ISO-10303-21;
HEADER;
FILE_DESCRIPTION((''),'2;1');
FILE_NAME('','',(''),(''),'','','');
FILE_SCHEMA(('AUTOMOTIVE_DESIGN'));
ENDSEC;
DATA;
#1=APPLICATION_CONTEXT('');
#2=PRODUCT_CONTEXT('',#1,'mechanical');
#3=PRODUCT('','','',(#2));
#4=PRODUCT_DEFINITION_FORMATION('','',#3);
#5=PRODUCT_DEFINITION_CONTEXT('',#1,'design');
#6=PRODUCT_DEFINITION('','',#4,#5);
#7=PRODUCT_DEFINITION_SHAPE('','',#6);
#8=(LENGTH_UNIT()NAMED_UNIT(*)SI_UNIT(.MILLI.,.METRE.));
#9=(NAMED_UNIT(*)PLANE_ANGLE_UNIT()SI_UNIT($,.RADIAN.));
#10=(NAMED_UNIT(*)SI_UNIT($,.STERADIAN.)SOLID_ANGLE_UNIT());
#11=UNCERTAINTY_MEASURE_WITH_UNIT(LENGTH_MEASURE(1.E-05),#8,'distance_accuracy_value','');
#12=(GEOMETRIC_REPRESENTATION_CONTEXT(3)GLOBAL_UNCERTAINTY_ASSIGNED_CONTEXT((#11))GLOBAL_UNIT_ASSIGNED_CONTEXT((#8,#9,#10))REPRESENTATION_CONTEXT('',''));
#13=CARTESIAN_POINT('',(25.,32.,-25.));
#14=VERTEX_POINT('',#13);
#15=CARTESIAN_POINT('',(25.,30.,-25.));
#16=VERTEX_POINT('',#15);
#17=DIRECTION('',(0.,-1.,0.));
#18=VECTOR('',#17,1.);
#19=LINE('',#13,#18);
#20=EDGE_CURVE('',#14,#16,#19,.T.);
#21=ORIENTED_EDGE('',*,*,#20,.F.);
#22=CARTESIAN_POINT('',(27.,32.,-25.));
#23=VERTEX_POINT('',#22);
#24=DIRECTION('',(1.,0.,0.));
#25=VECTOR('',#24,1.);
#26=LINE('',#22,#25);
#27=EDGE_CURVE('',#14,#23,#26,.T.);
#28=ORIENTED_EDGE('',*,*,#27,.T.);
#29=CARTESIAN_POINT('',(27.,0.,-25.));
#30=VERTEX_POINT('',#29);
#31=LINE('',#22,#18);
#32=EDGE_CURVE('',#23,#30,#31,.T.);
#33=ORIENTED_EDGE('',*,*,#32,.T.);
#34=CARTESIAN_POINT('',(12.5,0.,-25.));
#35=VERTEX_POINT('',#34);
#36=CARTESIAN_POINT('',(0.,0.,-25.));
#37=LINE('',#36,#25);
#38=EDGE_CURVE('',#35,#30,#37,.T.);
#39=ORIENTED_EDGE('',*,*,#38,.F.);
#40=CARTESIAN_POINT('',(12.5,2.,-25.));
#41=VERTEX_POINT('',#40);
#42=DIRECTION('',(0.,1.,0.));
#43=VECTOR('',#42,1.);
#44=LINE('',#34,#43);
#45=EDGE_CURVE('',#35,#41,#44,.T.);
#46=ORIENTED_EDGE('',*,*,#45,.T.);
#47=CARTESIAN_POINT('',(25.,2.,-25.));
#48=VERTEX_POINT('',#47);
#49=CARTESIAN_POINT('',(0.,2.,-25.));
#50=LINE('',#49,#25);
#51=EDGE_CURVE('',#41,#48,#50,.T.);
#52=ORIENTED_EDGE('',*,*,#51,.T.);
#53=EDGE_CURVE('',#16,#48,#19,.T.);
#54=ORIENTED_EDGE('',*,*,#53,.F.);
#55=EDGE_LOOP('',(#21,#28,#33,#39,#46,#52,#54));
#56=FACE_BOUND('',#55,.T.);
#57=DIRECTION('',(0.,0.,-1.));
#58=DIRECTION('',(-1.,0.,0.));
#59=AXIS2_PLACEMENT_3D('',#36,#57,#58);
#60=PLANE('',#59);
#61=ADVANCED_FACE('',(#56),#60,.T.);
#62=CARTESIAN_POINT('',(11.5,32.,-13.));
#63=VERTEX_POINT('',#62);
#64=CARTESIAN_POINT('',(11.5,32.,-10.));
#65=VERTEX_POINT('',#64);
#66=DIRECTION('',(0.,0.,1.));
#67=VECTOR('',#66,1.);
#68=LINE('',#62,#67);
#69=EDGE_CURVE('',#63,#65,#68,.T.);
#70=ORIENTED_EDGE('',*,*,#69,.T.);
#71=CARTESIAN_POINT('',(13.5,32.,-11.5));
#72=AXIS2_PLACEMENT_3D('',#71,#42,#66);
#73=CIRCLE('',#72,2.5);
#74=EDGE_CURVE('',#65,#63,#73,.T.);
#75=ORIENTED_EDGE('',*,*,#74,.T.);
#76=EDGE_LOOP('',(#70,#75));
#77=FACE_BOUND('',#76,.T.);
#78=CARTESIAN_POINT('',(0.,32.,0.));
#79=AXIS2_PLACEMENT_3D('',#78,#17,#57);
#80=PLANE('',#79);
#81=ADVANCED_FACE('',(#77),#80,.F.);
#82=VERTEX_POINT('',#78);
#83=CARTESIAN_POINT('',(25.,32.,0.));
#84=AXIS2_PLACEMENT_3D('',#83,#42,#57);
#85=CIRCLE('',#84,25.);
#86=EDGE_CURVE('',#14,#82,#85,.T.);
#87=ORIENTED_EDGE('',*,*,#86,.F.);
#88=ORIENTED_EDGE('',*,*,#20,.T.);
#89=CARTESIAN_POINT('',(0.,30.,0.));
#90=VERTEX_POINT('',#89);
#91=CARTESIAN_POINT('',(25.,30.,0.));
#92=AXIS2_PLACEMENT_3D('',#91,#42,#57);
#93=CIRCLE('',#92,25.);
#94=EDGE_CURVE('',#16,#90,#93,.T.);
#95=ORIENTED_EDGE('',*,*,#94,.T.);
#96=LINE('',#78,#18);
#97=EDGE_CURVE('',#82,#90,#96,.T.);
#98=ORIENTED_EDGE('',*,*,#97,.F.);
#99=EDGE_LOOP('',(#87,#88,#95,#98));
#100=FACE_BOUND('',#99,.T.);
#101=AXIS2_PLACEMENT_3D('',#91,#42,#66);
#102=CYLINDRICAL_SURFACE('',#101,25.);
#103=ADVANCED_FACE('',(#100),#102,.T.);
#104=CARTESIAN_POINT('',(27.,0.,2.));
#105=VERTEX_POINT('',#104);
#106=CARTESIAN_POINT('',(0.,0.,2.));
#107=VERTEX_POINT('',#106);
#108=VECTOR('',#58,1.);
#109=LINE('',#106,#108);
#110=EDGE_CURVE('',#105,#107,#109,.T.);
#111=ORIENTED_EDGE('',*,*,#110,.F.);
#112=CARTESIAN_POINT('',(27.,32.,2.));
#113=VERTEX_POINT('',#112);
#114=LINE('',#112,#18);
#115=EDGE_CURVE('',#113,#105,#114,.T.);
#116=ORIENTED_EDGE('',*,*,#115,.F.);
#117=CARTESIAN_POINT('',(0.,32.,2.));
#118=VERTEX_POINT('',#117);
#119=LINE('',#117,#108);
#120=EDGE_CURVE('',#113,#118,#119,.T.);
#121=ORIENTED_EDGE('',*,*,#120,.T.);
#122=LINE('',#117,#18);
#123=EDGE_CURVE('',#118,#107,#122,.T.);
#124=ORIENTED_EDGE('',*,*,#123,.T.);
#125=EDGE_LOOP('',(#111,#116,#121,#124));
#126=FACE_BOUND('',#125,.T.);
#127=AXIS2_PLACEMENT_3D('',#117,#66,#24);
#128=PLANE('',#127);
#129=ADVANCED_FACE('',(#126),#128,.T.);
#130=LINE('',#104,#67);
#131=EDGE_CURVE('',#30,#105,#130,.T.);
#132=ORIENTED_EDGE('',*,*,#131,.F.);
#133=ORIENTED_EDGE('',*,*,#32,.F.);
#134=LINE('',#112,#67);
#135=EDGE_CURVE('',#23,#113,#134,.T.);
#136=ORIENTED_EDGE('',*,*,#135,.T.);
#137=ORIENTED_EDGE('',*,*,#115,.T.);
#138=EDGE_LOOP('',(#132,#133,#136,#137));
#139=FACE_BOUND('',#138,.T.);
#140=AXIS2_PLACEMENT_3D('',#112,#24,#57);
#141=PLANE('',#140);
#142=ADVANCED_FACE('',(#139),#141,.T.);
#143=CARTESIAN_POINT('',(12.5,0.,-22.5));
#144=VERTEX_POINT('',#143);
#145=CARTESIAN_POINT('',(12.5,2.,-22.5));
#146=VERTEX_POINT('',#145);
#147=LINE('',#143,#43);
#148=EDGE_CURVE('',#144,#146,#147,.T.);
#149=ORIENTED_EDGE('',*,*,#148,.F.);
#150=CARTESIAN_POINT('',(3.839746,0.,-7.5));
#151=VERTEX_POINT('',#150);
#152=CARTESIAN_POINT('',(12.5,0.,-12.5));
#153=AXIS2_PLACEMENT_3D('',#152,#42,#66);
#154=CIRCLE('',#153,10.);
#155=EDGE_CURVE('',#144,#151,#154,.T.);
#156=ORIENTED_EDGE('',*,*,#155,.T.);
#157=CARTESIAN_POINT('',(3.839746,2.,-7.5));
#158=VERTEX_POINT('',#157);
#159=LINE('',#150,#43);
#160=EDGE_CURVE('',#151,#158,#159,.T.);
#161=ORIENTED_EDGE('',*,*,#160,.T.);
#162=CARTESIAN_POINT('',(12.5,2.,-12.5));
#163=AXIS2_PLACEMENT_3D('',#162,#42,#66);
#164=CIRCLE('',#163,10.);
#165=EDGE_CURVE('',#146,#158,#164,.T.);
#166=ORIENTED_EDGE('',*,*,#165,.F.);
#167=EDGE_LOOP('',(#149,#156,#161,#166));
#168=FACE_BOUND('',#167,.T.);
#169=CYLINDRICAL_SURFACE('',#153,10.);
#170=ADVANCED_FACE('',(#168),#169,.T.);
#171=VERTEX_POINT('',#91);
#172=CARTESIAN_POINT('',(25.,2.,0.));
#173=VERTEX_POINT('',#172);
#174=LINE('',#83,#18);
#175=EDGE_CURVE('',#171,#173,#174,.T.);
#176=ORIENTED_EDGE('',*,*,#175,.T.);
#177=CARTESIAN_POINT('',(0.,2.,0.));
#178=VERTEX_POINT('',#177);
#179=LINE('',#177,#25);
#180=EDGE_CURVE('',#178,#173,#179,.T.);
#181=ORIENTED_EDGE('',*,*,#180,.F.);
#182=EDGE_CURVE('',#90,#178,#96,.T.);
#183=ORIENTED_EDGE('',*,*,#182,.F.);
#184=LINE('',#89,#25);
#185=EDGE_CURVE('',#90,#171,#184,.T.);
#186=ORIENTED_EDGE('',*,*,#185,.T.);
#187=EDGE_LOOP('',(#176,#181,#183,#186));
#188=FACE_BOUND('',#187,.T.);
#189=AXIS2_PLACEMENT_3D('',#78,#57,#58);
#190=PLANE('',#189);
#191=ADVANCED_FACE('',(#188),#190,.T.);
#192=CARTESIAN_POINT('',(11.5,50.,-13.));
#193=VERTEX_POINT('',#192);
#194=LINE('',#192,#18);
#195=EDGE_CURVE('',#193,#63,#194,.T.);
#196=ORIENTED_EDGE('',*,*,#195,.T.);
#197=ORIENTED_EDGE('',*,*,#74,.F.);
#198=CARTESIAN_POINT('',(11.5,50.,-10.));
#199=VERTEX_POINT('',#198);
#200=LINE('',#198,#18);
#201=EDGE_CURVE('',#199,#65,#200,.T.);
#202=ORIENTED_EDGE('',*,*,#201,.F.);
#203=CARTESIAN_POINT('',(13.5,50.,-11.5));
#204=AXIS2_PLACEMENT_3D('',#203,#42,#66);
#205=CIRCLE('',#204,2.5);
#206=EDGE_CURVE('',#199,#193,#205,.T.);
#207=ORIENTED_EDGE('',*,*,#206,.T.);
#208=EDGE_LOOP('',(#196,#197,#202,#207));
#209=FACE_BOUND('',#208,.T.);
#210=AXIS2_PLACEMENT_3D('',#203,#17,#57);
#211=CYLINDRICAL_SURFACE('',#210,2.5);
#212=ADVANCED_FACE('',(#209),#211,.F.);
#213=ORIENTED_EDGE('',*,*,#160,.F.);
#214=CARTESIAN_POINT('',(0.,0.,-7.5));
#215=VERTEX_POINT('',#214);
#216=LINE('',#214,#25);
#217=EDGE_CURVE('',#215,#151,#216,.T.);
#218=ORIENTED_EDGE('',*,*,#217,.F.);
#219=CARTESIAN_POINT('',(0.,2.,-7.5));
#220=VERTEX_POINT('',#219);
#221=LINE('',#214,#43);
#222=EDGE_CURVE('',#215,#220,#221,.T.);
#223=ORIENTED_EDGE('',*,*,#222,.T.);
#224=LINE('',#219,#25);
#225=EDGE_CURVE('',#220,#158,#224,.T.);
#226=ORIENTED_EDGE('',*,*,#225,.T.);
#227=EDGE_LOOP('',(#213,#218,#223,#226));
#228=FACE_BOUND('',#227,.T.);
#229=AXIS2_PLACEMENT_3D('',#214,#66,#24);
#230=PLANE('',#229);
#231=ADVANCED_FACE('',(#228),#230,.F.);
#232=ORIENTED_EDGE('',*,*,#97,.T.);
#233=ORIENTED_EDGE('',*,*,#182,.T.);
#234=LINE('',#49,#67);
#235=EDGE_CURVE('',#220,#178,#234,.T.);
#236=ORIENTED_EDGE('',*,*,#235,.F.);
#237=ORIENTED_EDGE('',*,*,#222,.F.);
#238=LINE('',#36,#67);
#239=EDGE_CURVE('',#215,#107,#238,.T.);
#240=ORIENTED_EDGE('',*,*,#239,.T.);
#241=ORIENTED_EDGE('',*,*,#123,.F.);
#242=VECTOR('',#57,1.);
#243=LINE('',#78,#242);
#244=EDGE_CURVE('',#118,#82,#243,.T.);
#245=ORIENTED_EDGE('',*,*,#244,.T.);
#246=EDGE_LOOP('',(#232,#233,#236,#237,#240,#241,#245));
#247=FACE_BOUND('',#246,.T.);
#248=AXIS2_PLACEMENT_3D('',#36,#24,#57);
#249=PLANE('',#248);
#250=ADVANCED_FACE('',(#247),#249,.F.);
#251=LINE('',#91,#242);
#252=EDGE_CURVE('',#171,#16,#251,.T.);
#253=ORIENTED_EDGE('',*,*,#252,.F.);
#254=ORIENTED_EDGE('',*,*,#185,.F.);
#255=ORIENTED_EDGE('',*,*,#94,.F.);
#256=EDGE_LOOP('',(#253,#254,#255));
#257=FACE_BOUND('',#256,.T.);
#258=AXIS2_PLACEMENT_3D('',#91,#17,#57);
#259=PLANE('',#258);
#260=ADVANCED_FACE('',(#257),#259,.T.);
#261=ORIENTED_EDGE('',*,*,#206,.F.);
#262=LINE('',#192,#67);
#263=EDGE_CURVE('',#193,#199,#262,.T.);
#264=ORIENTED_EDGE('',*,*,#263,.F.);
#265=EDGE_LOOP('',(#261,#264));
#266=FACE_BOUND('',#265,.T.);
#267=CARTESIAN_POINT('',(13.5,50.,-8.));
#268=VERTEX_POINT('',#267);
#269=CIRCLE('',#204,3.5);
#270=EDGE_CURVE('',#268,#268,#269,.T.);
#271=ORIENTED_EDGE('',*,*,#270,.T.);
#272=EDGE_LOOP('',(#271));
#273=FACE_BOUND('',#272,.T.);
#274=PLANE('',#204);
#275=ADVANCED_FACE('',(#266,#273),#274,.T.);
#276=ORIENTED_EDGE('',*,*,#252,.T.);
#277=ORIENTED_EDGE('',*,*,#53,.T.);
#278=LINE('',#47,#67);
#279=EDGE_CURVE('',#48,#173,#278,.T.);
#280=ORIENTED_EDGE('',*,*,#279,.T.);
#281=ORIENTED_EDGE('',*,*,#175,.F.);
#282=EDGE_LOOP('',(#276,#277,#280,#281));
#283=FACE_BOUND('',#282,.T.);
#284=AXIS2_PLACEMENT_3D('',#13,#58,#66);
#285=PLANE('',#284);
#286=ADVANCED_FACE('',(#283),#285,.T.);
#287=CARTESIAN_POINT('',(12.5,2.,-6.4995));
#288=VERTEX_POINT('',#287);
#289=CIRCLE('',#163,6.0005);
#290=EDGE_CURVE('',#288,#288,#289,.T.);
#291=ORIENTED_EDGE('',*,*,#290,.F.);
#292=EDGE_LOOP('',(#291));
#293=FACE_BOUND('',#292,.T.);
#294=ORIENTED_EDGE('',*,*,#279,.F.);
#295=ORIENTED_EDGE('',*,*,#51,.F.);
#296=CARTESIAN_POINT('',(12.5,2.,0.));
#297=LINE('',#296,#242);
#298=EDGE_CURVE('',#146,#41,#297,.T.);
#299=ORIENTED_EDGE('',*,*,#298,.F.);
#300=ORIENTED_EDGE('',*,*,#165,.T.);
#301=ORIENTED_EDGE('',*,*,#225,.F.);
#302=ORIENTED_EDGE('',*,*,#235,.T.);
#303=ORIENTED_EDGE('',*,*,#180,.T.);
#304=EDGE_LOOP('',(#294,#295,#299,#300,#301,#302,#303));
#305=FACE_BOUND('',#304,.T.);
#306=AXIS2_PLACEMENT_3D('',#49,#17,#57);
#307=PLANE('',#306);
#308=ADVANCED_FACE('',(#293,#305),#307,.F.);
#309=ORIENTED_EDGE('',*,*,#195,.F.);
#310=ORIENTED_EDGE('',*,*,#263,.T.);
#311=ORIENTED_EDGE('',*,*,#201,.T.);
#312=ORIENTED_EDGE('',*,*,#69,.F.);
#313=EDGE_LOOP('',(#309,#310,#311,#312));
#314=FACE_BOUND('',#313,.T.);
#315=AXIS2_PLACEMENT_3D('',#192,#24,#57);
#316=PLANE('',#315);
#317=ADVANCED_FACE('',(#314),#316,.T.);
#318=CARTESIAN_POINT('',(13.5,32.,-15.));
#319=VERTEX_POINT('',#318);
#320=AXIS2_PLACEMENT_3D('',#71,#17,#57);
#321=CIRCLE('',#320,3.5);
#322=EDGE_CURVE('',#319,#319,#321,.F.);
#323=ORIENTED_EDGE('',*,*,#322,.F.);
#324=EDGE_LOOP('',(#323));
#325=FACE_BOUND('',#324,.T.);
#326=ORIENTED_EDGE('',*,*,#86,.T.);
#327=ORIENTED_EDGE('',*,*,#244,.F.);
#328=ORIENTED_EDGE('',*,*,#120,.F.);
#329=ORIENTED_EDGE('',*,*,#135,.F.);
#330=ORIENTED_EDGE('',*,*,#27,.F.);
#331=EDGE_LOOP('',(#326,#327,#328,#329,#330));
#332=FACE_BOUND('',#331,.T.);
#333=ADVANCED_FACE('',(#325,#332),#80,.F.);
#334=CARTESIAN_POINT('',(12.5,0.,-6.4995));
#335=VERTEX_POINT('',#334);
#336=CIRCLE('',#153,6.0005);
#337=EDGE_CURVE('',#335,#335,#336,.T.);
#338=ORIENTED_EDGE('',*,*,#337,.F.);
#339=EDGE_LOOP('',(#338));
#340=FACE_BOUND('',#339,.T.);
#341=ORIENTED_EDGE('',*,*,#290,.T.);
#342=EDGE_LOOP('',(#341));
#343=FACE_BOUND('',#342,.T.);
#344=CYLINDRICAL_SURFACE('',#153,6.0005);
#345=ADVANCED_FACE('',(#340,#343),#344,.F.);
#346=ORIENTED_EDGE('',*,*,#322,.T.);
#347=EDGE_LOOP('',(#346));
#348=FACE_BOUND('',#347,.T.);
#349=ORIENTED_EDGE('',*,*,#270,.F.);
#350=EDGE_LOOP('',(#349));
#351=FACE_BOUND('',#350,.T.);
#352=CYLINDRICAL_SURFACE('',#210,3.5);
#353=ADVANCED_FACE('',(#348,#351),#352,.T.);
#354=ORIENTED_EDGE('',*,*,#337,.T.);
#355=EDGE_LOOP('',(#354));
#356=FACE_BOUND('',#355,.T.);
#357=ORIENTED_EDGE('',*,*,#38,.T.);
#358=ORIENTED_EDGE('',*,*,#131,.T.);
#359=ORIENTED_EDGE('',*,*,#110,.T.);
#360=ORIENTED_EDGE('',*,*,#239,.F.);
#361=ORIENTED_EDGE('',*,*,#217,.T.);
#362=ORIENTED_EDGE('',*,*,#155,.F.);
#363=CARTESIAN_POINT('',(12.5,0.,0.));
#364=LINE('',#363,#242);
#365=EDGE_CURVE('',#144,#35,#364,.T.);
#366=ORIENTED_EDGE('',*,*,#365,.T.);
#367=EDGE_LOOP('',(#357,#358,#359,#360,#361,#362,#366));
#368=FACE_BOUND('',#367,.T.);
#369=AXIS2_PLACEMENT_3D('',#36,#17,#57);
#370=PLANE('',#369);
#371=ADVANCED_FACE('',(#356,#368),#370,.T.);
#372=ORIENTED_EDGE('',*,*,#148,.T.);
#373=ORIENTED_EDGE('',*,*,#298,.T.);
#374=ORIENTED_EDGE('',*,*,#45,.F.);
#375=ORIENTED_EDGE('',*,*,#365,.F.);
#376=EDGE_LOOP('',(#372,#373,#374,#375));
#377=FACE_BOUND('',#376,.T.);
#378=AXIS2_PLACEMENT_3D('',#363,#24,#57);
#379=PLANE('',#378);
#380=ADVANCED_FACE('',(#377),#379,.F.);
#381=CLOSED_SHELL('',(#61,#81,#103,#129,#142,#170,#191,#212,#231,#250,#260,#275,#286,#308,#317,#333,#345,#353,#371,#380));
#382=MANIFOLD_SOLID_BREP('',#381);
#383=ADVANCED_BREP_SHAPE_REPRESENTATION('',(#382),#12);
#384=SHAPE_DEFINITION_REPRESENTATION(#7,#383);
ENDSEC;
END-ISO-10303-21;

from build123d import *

# Parameters (mm, degrees)
SKETCH1_W           = 25
SKETCH1_H           = 2
EXTRUDE_THIN1_DEPTH = 25
SKETCH2_R           = 6.0005
CUT_EXTRUDE1_DEPTH  = 36.411862419
BOSS_EXTRUDE1_DEPTH = 32
BOSS_EXTRUDE2_DEPTH = 2
SKETCH7_R           = 3.5
BOSS_EXTRUDE3_DEPTH = 18


with BuildPart() as part:
    # Sketch1 → Extrude-Thin1 (new body)
    with BuildSketch(Plane.XY):
        with Locations((12.5, 1)):
            Rectangle(SKETCH1_W, SKETCH1_H)
    extrude(amount=-EXTRUDE_THIN1_DEPTH)

    # Sketch2 → Cut-Extrude1 (cut, through all)
    with BuildSketch(Plane(origin=(0, 2, 0), x_dir=(1, 0, 0), z_dir=(0, 1, 0))):
        with BuildLine():
            ThreePointArc((3.839745962, 7.5), (3.839745962, 17.5), (12.5, 22.5))
            Line((12.5, 22.5), (12.5, 25))
            Line((12.5, 25), (0, 25))
            Line((0, 25), (0, 7.5))
            Line((0, 7.5), (3.839745962, 7.5))
        make_face()
        with Locations(Location((12.5, 12.5, 0), (0, 0, 270))):
            Circle(SKETCH2_R)
    extrude(amount=-CUT_EXTRUDE1_DEPTH, mode=Mode.SUBTRACT)

    # Sketch4 → Boss-Extrude1 (add)
    with BuildSketch(Plane.XZ):
        Polygon((0, 0), (0, 2), (27, 2), (27, -25), (25, -25), (25, 0), align=None)
    extrude(amount=-BOSS_EXTRUDE1_DEPTH)

    # Sketch6 → Boss-Extrude2 (add)
    with BuildSketch(Plane(origin=(0, 32, 0), x_dir=(1, 0, 0), z_dir=(0, 1, 0))):
        with BuildLine():
            Line((0, 0), (25, 0))
            Line((25, 0), (25, 25))
            ThreePointArc((25, 25), (7.32233047, 17.67766953), (0, 0))
        make_face()
    extrude(amount=-BOSS_EXTRUDE2_DEPTH)

    # Sketch7 → Boss-Extrude3 (add)
    with BuildSketch(Plane(origin=(0, 32, 0), x_dir=(1, 0, 0), z_dir=(0, 1, 0))):
        with Locations(Location((13.5, 11.5, 0), (0, 0, 90))):
            Circle(SKETCH7_R)
        with BuildLine():
            Line((11.5, 13), (11.5, 10))
            ThreePointArc((11.5, 10), (16, 11.5), (11.5, 13))
        make_face(mode=Mode.SUBTRACT)
    extrude(amount=BOSS_EXTRUDE3_DEPTH)


solid = part.part
